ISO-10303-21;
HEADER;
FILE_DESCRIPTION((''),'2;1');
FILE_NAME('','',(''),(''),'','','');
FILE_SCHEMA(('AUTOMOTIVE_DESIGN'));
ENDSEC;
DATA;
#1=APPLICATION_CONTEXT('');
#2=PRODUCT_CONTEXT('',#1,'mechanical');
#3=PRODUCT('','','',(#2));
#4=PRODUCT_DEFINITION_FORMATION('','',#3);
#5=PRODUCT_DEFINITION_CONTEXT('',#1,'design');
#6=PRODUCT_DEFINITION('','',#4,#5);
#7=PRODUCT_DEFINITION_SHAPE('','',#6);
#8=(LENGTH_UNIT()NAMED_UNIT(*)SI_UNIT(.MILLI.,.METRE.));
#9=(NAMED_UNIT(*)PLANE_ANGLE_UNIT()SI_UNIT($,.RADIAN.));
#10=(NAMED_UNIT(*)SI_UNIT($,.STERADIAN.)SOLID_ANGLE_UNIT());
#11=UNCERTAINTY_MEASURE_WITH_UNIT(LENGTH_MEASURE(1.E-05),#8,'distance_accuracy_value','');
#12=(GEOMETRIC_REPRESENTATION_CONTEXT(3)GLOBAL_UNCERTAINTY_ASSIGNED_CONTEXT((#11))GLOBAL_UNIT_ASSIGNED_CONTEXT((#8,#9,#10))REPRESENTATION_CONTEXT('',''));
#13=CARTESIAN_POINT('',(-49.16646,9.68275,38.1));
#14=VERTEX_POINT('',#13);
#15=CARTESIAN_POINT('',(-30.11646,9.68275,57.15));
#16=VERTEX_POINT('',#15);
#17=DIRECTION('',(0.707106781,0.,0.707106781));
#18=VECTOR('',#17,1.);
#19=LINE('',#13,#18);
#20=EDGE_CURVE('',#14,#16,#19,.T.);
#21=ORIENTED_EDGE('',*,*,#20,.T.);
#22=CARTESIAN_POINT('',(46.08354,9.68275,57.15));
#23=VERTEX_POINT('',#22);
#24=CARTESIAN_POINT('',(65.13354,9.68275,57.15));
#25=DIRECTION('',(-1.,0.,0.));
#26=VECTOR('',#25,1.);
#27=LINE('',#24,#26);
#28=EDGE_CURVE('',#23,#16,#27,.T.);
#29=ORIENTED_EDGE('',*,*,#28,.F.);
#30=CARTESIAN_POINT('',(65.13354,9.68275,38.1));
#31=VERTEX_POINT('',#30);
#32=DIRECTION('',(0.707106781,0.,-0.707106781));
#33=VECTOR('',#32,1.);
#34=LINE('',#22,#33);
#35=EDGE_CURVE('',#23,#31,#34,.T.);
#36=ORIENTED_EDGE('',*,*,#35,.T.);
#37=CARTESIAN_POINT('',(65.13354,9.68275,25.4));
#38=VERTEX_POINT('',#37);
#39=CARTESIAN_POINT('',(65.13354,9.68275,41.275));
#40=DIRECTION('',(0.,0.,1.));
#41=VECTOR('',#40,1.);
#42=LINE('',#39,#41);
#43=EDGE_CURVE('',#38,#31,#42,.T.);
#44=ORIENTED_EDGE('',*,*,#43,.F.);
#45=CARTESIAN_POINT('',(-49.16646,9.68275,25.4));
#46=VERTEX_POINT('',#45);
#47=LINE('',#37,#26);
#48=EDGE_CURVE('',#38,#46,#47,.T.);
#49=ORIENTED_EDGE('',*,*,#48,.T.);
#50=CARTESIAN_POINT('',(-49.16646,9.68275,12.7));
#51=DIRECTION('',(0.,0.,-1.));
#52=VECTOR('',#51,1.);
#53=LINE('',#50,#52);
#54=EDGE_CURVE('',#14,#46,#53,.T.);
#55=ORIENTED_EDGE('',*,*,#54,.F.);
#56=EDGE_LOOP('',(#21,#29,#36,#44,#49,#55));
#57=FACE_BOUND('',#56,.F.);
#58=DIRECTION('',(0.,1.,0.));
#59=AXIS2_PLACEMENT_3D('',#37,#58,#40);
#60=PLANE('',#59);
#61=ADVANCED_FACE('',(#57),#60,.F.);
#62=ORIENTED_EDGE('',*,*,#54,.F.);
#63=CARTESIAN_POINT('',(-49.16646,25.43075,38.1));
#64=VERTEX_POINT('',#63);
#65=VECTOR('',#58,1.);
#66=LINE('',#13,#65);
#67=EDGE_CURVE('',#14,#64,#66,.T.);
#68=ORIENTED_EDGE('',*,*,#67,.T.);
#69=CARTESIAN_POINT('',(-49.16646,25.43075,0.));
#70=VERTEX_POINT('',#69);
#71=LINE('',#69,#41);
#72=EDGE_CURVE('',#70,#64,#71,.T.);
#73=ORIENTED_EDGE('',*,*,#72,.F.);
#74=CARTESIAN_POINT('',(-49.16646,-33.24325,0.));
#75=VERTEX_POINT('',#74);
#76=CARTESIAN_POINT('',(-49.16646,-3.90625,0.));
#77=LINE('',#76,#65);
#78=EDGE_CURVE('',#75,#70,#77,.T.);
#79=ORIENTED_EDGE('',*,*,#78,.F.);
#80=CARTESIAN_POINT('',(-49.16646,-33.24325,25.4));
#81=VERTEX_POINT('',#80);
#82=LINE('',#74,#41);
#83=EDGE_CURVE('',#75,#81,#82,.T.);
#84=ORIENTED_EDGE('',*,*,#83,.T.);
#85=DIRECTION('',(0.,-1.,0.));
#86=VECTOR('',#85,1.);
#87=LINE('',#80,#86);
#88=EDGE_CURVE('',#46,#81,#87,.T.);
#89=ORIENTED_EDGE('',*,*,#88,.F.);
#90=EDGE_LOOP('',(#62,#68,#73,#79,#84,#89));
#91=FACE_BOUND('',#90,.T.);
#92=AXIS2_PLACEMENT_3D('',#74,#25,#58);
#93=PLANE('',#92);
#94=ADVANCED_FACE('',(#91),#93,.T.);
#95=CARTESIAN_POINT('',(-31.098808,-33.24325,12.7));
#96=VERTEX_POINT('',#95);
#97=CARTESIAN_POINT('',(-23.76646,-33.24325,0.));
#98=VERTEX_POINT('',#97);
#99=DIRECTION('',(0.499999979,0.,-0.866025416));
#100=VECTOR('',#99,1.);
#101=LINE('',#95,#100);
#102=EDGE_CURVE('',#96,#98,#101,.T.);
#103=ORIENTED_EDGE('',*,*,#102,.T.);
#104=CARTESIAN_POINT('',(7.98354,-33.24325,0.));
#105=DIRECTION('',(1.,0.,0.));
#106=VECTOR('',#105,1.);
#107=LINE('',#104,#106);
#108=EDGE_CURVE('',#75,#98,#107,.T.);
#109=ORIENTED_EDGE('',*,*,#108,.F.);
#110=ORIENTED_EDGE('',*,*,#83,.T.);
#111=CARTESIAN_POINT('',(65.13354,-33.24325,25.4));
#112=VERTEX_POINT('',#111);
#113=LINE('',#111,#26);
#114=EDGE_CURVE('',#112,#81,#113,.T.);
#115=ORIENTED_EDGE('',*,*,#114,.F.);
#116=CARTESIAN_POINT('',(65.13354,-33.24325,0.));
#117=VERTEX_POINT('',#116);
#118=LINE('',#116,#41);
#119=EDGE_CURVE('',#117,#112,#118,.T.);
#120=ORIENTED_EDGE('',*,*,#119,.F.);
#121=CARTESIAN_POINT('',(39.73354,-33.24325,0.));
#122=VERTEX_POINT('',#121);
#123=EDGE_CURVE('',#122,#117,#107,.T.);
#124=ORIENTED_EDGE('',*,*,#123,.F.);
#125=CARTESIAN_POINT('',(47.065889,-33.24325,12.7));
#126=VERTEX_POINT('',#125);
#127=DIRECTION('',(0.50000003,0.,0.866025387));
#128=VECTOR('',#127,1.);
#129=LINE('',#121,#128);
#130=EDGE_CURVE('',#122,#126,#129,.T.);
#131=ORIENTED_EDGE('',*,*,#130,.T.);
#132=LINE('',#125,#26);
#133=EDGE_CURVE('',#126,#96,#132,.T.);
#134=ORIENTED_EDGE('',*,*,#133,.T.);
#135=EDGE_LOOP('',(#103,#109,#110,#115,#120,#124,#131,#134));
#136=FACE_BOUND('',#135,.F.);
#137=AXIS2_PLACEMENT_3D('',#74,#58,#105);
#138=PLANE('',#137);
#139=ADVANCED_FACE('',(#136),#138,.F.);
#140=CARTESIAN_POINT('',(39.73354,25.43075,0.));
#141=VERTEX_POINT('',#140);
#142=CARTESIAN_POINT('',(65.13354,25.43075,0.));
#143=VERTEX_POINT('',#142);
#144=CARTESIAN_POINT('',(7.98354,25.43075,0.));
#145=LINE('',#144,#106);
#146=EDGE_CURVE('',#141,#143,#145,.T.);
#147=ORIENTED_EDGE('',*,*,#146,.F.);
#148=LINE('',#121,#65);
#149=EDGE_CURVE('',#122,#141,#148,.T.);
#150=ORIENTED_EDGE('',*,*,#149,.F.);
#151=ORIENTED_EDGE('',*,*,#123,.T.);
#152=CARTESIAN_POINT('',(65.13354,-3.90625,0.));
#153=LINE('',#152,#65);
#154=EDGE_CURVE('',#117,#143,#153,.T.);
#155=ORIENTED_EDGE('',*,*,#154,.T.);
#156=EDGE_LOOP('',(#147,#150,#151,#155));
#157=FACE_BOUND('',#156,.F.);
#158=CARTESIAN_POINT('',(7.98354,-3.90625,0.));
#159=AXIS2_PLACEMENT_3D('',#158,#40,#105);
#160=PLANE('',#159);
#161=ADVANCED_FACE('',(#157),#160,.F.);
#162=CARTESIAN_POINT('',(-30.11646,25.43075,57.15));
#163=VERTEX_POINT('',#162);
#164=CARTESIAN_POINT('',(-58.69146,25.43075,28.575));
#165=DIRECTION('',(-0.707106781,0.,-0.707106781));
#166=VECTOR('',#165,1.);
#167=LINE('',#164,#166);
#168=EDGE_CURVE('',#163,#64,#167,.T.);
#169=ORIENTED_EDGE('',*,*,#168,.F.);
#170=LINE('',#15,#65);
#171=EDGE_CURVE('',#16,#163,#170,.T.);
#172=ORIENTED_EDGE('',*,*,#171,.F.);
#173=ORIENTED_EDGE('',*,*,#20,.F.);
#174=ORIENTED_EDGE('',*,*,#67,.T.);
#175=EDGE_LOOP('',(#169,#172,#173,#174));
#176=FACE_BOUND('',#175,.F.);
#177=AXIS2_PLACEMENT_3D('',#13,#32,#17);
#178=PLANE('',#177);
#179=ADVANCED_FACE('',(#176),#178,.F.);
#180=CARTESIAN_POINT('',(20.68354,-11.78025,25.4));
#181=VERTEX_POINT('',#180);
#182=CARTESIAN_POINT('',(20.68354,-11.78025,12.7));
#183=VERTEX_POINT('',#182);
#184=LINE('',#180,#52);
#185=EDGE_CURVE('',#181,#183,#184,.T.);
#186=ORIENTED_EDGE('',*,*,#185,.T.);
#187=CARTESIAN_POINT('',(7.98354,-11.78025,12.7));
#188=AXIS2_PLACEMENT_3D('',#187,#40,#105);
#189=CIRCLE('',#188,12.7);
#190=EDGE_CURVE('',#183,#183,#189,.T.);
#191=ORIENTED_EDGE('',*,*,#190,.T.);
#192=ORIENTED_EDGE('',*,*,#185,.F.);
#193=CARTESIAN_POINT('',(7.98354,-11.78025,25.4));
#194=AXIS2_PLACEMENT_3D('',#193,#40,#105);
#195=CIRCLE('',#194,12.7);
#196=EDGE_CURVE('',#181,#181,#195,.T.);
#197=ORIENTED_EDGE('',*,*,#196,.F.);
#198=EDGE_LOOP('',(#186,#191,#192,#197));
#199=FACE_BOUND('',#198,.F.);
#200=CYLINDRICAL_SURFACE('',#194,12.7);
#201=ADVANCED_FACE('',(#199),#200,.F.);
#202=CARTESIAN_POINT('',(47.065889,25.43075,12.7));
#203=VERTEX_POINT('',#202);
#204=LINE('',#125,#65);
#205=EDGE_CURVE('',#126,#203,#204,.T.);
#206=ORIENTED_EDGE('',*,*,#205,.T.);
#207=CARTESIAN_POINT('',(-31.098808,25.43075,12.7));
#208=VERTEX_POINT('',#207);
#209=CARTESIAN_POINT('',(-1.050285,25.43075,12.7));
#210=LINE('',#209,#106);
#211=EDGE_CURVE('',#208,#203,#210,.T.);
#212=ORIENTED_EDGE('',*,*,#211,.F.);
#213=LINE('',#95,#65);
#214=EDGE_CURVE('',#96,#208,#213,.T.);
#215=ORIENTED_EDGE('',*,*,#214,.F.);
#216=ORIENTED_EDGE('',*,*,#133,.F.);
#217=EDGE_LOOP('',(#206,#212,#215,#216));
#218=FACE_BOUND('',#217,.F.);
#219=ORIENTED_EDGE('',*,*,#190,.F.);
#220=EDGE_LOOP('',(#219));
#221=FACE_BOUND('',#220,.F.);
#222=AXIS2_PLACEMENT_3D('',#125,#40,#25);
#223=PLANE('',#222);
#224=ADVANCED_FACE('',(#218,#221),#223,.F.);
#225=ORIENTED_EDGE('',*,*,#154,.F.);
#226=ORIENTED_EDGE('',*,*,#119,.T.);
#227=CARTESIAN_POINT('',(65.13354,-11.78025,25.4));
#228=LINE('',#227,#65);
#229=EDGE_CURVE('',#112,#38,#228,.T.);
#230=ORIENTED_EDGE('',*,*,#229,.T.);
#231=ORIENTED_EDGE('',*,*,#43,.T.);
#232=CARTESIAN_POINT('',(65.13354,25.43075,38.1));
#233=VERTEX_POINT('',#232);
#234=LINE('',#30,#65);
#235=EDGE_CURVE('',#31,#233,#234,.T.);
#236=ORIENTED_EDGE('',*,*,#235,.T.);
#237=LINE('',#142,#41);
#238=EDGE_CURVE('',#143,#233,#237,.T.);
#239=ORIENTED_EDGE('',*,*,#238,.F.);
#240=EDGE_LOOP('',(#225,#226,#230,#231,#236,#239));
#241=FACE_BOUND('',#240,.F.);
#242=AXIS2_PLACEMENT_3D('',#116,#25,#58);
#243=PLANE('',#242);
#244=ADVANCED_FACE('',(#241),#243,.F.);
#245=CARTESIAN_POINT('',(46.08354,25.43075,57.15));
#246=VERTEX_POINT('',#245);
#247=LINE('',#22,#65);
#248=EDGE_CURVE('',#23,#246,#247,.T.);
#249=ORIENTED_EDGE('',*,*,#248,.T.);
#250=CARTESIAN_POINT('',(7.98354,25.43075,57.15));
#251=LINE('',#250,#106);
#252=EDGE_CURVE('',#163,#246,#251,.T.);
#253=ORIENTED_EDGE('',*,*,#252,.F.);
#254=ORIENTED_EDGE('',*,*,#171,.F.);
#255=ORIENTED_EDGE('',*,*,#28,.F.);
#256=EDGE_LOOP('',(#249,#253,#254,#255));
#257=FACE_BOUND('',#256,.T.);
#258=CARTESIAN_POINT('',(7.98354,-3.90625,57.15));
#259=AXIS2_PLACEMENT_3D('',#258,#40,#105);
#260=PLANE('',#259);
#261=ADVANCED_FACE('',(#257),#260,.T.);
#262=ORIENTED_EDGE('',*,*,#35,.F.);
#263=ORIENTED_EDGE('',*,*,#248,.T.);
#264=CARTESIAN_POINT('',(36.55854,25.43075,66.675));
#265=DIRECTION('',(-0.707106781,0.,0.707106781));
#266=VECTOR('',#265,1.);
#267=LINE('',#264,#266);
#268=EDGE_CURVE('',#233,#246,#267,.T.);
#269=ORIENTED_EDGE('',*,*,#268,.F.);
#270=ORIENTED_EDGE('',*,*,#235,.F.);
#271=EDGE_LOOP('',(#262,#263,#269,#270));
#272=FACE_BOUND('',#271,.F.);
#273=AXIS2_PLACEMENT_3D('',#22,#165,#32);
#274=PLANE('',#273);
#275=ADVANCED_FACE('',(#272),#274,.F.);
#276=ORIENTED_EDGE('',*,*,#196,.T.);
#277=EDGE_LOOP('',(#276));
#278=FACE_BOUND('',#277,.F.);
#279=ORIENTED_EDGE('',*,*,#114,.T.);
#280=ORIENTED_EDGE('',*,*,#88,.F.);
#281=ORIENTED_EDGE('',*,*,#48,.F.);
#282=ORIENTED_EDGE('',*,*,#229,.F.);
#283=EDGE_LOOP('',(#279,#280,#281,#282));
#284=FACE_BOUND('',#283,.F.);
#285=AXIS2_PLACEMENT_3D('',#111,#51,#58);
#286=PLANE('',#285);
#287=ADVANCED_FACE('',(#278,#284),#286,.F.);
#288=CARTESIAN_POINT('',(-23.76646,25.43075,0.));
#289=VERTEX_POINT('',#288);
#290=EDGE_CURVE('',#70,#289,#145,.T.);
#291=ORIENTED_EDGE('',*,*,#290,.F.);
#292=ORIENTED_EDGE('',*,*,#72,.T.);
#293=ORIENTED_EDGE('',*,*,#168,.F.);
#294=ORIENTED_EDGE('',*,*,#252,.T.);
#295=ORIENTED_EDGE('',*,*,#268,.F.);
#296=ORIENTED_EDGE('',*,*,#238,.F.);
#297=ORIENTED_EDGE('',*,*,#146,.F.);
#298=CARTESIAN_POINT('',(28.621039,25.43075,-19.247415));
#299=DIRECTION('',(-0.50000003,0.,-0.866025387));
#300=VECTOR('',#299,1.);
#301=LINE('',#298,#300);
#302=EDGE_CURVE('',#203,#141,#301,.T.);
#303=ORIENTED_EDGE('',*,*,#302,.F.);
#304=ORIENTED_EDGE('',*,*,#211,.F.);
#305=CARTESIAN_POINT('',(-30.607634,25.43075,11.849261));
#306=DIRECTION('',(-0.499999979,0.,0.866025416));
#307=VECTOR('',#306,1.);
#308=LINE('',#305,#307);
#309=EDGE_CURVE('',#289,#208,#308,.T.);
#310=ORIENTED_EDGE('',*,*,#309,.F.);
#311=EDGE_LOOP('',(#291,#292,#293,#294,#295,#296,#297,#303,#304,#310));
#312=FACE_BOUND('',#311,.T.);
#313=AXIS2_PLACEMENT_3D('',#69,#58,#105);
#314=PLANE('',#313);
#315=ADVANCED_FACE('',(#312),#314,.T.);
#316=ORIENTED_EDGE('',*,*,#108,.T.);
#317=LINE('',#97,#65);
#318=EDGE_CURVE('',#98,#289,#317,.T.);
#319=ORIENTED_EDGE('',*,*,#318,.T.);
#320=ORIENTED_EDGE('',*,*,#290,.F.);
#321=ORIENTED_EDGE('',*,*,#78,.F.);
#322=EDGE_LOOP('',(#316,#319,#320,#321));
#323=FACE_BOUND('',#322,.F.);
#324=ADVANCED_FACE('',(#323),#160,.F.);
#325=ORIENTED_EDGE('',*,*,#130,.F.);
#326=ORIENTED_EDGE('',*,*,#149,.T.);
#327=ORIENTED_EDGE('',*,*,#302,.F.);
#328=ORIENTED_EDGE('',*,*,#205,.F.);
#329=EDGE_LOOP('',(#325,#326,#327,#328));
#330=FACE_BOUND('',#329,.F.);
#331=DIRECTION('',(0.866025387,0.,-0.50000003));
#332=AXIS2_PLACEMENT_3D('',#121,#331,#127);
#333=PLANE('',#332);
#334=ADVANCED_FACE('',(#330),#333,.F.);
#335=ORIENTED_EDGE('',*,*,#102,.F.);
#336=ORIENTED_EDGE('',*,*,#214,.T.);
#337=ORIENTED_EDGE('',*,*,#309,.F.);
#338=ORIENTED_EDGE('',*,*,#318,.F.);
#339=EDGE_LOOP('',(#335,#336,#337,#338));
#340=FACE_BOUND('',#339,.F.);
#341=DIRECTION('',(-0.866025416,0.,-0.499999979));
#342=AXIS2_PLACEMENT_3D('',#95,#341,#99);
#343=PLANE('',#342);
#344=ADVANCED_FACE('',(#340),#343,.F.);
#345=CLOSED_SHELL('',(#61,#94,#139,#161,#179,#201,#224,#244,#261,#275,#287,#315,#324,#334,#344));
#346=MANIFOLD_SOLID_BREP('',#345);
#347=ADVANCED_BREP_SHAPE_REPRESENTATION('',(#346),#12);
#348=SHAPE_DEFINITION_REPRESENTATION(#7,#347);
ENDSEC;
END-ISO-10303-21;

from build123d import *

# Parameters (mm, degrees)
F0_W     = 114.3
F0_H     = 58.674
F1_DEPTH = 57.15
F2_W     = 42.926
F2_H     = 31.75
F3_DEPTH = 143.256
F5_DEPTH = 25.4
F7_DEPTH = 101.092
F8_R     = 12.7
F9_DEPTH = 25.4


with BuildPart() as f1:
    # F0 (on Top) → F1 (new body)
    with BuildSketch(Plane.XY):
        with Locations((7.98354, -3.90625)):
            Rectangle(F0_W, F0_H)
    extrude(amount=F1_DEPTH)

    # F2 (on face) → F3 (cut)
    with BuildSketch(Plane.YZ.offset(65.13354)):
        with Locations((-11.78025, 41.275)):
            Rectangle(F2_W, F2_H)
    extrude(amount=-F3_DEPTH, mode=Mode.SUBTRACT)

    # F4 (on face) → F5 (cut)
    with BuildSketch(Plane.XZ.offset(-9.68275)):
        Polygon((65.13354, 38.1), (65.13354, 57.15), (46.08354, 57.15), align=None)
        Polygon((-49.16646, 38.1), (-30.11646, 57.15), (-49.16646, 57.15), align=None)
    extrude(amount=-F5_DEPTH, mode=Mode.SUBTRACT)

    # F6 (on face) → F7 (cut)
    with BuildSketch(Plane.XZ.offset(33.24325)):
        Polygon((39.73354, 12.7), (-23.76646, 12.7), (-31.098808, 12.7), (-23.76646, 0), (39.73354, 0), (47.065889, 12.7), align=None)
    extrude(amount=-F7_DEPTH, mode=Mode.SUBTRACT)

    # F8 (on face) → F9 (cut)
    with BuildSketch(Plane.XY.offset(25.4)):
        with Locations((7.98354, -11.78025)):
            Circle(F8_R)
    extrude(amount=-F9_DEPTH, mode=Mode.SUBTRACT)


solid = f1.part
